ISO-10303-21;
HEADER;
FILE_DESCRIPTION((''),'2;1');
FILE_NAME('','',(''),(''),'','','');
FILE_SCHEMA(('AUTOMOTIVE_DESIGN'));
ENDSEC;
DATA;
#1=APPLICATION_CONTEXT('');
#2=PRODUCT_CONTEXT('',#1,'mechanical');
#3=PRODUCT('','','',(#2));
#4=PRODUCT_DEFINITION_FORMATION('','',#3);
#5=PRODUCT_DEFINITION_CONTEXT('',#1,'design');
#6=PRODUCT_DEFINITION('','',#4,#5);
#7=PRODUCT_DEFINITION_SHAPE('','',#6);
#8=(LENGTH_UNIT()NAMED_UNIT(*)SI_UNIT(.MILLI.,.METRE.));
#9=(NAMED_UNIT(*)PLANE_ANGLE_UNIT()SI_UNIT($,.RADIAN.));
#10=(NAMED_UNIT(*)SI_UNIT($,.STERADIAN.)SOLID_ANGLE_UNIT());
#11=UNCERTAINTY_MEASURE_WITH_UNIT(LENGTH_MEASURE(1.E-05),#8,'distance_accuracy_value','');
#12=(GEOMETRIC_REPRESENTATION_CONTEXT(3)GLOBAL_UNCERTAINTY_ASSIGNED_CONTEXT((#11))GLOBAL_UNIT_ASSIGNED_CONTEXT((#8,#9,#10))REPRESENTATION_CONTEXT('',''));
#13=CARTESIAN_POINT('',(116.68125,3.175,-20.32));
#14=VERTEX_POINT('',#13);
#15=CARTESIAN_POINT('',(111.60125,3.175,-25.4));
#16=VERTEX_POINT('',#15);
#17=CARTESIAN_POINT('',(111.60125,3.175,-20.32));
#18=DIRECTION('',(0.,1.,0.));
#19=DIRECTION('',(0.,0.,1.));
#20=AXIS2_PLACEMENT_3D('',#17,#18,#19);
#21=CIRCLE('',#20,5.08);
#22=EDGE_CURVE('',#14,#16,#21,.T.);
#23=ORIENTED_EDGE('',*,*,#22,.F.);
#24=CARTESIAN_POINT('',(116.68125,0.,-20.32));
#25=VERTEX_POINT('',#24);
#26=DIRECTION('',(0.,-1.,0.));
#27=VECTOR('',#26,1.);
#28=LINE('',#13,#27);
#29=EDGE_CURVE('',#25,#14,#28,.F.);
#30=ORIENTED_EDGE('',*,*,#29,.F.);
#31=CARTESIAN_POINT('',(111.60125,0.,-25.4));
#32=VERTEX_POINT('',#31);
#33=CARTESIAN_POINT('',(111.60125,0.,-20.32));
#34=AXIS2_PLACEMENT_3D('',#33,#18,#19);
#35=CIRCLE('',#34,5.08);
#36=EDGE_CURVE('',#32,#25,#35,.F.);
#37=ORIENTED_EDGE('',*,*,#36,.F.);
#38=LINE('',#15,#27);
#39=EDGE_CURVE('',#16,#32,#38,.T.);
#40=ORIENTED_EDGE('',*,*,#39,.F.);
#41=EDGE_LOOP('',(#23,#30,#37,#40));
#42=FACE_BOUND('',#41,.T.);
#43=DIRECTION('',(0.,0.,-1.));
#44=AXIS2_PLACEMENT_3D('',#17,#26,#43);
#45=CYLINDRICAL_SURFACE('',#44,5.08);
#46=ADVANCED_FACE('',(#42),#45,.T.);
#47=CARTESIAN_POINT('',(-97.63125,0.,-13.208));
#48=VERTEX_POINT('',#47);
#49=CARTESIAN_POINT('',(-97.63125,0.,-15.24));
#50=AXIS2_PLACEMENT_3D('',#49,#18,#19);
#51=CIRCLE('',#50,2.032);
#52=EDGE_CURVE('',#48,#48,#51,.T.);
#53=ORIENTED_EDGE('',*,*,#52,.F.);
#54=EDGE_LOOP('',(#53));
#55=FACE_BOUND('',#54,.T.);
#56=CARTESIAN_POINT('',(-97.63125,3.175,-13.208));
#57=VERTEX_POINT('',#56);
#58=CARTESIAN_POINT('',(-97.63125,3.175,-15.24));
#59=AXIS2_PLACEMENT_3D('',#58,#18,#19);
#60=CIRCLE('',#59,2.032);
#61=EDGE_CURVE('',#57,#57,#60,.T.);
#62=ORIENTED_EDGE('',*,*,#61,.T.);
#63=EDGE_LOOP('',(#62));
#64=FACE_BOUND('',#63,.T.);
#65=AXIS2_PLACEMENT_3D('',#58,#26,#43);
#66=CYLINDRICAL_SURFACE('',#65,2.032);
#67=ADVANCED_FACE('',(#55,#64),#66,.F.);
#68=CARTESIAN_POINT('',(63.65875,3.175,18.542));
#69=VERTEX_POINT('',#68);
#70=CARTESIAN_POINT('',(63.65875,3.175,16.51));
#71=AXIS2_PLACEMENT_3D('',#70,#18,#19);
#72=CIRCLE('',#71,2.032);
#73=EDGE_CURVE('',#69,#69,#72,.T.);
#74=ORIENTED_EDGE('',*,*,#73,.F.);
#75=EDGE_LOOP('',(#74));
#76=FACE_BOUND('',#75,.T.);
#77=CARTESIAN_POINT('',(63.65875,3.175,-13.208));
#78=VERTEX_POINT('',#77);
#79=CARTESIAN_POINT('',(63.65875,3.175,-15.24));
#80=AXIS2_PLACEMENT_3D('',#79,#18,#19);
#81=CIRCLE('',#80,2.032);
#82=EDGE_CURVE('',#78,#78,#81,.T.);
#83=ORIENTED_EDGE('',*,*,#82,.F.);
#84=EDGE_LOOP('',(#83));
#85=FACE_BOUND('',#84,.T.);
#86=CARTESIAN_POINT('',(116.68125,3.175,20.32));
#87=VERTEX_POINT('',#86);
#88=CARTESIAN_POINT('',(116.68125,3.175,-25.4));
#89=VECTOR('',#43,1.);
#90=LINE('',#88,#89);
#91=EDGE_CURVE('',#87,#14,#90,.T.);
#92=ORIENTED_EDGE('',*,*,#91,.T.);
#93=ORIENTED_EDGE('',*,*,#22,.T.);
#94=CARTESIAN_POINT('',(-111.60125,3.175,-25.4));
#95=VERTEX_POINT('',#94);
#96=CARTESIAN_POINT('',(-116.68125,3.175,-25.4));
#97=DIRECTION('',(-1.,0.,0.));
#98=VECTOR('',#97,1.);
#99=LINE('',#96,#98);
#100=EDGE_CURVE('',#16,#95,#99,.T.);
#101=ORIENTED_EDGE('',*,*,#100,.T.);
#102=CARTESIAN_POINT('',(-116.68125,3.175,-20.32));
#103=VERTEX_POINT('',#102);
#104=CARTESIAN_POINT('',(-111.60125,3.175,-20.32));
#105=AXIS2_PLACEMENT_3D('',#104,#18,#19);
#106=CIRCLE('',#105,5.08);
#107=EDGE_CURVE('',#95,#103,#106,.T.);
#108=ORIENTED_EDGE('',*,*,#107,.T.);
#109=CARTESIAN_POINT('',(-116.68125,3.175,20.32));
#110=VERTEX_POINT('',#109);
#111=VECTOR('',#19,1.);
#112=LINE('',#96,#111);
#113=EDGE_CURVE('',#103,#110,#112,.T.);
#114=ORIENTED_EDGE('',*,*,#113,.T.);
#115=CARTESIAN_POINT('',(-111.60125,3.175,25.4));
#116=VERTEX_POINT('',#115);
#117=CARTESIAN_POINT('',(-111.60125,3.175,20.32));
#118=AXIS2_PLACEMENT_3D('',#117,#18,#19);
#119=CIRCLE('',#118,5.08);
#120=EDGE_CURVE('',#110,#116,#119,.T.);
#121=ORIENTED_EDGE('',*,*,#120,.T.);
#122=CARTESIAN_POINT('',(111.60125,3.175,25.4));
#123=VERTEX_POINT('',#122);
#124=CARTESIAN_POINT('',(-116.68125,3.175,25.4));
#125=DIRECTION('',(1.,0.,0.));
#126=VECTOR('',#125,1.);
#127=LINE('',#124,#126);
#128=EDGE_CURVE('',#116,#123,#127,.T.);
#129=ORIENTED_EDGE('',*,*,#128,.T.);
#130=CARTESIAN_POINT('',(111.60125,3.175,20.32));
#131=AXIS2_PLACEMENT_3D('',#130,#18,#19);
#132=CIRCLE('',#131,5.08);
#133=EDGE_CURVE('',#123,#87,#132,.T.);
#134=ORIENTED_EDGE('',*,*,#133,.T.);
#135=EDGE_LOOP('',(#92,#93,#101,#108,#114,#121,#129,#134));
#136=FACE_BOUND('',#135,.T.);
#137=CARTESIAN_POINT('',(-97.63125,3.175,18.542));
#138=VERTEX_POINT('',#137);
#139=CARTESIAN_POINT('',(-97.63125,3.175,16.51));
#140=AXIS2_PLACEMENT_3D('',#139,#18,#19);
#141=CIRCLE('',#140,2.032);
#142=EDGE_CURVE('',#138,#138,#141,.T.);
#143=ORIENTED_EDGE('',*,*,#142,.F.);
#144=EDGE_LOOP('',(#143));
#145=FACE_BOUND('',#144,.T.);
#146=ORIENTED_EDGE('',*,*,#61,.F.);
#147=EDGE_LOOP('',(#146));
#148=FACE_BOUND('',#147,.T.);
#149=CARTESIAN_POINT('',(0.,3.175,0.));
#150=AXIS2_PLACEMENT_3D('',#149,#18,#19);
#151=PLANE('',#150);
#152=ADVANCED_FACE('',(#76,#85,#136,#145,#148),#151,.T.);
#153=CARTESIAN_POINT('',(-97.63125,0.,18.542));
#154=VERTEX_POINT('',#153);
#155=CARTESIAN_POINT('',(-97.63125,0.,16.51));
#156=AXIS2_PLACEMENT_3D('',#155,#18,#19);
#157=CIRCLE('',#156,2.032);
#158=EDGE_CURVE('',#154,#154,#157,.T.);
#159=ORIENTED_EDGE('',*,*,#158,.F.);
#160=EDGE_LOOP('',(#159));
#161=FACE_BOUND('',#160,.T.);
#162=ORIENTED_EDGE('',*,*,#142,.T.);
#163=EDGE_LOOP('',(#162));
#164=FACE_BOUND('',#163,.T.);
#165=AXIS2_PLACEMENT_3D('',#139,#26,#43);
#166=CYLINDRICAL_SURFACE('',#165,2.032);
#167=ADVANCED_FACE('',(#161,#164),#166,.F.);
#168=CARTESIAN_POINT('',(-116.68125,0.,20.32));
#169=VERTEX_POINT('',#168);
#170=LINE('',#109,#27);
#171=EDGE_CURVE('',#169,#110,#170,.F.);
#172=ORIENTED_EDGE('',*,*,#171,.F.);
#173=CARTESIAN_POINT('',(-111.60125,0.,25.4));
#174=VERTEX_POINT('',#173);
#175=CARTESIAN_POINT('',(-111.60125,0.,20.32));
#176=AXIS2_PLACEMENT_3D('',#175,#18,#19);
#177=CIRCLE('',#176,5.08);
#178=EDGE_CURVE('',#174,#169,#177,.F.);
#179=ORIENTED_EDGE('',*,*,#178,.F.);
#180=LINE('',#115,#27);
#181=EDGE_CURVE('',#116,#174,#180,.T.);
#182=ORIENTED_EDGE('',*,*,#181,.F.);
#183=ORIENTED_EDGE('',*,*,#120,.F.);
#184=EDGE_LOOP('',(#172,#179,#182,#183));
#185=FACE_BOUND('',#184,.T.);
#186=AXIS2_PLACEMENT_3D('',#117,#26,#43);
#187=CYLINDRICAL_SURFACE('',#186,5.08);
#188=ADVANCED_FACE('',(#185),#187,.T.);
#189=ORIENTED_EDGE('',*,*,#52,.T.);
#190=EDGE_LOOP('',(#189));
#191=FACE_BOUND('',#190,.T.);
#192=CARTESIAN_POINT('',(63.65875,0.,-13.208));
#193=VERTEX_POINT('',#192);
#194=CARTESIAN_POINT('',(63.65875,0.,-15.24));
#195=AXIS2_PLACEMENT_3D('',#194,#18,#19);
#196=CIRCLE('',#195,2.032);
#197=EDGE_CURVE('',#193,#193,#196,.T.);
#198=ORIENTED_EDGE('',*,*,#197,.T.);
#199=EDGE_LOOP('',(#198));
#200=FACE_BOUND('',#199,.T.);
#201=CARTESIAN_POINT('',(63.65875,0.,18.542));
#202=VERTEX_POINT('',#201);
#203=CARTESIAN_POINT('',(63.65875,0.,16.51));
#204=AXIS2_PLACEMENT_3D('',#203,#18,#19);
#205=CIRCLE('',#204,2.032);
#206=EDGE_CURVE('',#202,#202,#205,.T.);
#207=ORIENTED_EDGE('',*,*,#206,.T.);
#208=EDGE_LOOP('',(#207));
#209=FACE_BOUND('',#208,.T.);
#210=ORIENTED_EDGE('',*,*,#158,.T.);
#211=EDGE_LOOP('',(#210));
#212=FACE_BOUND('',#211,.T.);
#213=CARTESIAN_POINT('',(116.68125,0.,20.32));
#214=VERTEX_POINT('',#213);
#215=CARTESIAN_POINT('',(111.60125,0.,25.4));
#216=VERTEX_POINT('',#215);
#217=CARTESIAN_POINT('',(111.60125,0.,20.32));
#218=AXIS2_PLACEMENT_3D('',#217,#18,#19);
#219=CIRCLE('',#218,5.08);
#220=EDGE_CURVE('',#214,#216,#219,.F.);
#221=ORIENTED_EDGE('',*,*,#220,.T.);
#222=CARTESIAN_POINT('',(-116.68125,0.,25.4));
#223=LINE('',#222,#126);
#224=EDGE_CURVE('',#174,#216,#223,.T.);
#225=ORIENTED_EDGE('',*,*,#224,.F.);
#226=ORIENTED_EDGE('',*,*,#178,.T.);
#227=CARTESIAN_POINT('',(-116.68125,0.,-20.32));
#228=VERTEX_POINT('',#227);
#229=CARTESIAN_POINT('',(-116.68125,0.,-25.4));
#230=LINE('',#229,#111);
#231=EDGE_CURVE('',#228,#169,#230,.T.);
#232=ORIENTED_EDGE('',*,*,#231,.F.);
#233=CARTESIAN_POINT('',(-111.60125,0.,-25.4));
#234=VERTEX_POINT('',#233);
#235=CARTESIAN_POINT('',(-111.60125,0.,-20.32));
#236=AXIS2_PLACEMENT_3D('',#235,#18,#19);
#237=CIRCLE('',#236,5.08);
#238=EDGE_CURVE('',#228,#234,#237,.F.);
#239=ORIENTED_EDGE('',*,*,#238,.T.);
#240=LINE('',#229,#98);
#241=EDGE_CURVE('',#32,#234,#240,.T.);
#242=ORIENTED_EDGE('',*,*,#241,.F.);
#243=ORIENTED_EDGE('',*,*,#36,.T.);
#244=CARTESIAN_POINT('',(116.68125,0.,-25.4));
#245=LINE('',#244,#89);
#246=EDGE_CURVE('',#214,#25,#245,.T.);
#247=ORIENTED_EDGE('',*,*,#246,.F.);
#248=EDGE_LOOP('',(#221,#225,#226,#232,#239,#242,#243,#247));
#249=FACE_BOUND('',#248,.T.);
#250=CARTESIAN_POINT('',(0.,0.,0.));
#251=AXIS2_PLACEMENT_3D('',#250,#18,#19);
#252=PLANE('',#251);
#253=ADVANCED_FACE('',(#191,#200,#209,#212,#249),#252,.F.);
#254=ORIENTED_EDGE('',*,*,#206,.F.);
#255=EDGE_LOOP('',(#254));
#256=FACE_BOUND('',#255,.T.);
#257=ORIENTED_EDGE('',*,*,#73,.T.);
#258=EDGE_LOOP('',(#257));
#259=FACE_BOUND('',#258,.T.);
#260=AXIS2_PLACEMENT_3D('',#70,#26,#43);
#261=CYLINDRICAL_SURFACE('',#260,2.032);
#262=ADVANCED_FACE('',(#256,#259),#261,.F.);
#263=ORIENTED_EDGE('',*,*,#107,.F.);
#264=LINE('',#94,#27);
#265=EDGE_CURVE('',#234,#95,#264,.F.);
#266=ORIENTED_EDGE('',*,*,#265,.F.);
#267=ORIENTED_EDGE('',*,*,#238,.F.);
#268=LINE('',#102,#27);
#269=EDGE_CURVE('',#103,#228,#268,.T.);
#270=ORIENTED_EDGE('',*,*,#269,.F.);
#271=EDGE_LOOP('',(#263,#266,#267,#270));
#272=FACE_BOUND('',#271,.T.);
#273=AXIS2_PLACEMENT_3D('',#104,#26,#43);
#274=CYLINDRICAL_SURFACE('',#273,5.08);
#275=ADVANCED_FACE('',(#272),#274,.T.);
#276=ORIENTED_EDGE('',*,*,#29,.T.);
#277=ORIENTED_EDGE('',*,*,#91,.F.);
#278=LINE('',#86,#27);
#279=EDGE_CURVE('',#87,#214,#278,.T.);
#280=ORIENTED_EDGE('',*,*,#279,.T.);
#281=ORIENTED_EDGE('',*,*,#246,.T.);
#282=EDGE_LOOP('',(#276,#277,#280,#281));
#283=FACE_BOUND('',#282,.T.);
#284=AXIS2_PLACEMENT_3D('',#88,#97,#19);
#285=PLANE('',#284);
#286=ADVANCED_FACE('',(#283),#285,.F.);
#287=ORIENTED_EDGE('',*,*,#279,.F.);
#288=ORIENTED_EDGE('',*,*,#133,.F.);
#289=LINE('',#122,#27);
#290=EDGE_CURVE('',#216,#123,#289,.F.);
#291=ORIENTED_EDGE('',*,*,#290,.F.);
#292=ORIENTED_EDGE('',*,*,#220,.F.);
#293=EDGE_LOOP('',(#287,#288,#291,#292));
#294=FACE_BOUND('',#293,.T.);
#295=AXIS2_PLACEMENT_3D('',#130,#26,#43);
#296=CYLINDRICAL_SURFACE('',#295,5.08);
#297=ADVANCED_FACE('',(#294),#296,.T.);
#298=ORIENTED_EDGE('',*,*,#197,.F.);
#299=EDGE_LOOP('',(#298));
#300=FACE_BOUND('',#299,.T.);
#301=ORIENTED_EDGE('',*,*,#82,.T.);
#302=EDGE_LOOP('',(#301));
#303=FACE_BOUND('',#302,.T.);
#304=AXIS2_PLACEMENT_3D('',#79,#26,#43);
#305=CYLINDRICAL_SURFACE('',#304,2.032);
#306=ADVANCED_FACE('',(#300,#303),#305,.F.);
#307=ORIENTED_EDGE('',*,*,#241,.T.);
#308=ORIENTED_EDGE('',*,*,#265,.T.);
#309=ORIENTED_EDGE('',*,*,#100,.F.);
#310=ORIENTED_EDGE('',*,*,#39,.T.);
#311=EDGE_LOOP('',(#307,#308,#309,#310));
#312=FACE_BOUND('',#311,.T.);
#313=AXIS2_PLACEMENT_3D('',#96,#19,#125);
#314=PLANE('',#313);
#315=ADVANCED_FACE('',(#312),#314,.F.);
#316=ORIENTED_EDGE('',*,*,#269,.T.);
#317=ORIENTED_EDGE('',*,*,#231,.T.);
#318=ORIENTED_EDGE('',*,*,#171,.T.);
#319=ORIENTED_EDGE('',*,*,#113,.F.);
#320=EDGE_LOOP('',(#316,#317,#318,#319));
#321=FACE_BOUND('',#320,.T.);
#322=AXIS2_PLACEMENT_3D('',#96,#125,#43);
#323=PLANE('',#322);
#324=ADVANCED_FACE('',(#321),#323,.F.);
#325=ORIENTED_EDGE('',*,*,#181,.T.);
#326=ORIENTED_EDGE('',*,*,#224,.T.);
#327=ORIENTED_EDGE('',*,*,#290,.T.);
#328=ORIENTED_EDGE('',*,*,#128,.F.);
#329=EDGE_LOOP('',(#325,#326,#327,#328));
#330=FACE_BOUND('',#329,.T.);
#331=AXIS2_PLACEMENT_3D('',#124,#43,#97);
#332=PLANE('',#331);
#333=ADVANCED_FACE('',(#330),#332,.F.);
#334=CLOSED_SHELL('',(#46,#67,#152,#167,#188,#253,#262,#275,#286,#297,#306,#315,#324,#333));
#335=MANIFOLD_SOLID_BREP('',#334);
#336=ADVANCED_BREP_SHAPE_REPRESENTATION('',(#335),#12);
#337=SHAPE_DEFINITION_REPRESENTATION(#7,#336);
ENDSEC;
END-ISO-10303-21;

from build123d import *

# Parameters (mm, degrees)
SKETCH2_W           = 233.3625
SKETCH2_H           = 50.8
SKETCH2_R           = 2.032
BOSS_EXTRUDE1_DEPTH = 3.175
FILLET1_R           = 5.08


with BuildPart() as part:
    # Sketch2 → Boss-Extrude1 (new body)
    with BuildSketch(Plane(origin=(0, 0, 0), x_dir=(1, 0, 0), z_dir=(0, 1, 0))):
        Rectangle(SKETCH2_W, SKETCH2_H)
        with Locations(Location((-97.63125, 15.24, 0), (0, 0, 270))):
            Circle(SKETCH2_R, mode=Mode.SUBTRACT)
        with Locations(Location((-97.63125, -16.51, 0), (0, 0, 270))):
            Circle(SKETCH2_R, mode=Mode.SUBTRACT)
        with Locations(Location((63.65875, -16.51, 0), (0, 0, 270))):
            Circle(SKETCH2_R, mode=Mode.SUBTRACT)
        with Locations(Location((63.65875, 15.24, 0), (0, 0, 270))):
            Circle(SKETCH2_R, mode=Mode.SUBTRACT)
    extrude(amount=BOSS_EXTRUDE1_DEPTH)

    # Fillet1
    fillet1_edges = [part.edges().sort_by_distance(p)[0] for p in [
        (116.68125, 1.5875, 25.4),
        (-116.68125, 1.5875, 25.4),
        (-116.68125, 1.5875, -25.4),
        (116.68125, 1.5875, -25.4),
    ]]
    fillet(fillet1_edges, radius=FILLET1_R)


solid = part.part
